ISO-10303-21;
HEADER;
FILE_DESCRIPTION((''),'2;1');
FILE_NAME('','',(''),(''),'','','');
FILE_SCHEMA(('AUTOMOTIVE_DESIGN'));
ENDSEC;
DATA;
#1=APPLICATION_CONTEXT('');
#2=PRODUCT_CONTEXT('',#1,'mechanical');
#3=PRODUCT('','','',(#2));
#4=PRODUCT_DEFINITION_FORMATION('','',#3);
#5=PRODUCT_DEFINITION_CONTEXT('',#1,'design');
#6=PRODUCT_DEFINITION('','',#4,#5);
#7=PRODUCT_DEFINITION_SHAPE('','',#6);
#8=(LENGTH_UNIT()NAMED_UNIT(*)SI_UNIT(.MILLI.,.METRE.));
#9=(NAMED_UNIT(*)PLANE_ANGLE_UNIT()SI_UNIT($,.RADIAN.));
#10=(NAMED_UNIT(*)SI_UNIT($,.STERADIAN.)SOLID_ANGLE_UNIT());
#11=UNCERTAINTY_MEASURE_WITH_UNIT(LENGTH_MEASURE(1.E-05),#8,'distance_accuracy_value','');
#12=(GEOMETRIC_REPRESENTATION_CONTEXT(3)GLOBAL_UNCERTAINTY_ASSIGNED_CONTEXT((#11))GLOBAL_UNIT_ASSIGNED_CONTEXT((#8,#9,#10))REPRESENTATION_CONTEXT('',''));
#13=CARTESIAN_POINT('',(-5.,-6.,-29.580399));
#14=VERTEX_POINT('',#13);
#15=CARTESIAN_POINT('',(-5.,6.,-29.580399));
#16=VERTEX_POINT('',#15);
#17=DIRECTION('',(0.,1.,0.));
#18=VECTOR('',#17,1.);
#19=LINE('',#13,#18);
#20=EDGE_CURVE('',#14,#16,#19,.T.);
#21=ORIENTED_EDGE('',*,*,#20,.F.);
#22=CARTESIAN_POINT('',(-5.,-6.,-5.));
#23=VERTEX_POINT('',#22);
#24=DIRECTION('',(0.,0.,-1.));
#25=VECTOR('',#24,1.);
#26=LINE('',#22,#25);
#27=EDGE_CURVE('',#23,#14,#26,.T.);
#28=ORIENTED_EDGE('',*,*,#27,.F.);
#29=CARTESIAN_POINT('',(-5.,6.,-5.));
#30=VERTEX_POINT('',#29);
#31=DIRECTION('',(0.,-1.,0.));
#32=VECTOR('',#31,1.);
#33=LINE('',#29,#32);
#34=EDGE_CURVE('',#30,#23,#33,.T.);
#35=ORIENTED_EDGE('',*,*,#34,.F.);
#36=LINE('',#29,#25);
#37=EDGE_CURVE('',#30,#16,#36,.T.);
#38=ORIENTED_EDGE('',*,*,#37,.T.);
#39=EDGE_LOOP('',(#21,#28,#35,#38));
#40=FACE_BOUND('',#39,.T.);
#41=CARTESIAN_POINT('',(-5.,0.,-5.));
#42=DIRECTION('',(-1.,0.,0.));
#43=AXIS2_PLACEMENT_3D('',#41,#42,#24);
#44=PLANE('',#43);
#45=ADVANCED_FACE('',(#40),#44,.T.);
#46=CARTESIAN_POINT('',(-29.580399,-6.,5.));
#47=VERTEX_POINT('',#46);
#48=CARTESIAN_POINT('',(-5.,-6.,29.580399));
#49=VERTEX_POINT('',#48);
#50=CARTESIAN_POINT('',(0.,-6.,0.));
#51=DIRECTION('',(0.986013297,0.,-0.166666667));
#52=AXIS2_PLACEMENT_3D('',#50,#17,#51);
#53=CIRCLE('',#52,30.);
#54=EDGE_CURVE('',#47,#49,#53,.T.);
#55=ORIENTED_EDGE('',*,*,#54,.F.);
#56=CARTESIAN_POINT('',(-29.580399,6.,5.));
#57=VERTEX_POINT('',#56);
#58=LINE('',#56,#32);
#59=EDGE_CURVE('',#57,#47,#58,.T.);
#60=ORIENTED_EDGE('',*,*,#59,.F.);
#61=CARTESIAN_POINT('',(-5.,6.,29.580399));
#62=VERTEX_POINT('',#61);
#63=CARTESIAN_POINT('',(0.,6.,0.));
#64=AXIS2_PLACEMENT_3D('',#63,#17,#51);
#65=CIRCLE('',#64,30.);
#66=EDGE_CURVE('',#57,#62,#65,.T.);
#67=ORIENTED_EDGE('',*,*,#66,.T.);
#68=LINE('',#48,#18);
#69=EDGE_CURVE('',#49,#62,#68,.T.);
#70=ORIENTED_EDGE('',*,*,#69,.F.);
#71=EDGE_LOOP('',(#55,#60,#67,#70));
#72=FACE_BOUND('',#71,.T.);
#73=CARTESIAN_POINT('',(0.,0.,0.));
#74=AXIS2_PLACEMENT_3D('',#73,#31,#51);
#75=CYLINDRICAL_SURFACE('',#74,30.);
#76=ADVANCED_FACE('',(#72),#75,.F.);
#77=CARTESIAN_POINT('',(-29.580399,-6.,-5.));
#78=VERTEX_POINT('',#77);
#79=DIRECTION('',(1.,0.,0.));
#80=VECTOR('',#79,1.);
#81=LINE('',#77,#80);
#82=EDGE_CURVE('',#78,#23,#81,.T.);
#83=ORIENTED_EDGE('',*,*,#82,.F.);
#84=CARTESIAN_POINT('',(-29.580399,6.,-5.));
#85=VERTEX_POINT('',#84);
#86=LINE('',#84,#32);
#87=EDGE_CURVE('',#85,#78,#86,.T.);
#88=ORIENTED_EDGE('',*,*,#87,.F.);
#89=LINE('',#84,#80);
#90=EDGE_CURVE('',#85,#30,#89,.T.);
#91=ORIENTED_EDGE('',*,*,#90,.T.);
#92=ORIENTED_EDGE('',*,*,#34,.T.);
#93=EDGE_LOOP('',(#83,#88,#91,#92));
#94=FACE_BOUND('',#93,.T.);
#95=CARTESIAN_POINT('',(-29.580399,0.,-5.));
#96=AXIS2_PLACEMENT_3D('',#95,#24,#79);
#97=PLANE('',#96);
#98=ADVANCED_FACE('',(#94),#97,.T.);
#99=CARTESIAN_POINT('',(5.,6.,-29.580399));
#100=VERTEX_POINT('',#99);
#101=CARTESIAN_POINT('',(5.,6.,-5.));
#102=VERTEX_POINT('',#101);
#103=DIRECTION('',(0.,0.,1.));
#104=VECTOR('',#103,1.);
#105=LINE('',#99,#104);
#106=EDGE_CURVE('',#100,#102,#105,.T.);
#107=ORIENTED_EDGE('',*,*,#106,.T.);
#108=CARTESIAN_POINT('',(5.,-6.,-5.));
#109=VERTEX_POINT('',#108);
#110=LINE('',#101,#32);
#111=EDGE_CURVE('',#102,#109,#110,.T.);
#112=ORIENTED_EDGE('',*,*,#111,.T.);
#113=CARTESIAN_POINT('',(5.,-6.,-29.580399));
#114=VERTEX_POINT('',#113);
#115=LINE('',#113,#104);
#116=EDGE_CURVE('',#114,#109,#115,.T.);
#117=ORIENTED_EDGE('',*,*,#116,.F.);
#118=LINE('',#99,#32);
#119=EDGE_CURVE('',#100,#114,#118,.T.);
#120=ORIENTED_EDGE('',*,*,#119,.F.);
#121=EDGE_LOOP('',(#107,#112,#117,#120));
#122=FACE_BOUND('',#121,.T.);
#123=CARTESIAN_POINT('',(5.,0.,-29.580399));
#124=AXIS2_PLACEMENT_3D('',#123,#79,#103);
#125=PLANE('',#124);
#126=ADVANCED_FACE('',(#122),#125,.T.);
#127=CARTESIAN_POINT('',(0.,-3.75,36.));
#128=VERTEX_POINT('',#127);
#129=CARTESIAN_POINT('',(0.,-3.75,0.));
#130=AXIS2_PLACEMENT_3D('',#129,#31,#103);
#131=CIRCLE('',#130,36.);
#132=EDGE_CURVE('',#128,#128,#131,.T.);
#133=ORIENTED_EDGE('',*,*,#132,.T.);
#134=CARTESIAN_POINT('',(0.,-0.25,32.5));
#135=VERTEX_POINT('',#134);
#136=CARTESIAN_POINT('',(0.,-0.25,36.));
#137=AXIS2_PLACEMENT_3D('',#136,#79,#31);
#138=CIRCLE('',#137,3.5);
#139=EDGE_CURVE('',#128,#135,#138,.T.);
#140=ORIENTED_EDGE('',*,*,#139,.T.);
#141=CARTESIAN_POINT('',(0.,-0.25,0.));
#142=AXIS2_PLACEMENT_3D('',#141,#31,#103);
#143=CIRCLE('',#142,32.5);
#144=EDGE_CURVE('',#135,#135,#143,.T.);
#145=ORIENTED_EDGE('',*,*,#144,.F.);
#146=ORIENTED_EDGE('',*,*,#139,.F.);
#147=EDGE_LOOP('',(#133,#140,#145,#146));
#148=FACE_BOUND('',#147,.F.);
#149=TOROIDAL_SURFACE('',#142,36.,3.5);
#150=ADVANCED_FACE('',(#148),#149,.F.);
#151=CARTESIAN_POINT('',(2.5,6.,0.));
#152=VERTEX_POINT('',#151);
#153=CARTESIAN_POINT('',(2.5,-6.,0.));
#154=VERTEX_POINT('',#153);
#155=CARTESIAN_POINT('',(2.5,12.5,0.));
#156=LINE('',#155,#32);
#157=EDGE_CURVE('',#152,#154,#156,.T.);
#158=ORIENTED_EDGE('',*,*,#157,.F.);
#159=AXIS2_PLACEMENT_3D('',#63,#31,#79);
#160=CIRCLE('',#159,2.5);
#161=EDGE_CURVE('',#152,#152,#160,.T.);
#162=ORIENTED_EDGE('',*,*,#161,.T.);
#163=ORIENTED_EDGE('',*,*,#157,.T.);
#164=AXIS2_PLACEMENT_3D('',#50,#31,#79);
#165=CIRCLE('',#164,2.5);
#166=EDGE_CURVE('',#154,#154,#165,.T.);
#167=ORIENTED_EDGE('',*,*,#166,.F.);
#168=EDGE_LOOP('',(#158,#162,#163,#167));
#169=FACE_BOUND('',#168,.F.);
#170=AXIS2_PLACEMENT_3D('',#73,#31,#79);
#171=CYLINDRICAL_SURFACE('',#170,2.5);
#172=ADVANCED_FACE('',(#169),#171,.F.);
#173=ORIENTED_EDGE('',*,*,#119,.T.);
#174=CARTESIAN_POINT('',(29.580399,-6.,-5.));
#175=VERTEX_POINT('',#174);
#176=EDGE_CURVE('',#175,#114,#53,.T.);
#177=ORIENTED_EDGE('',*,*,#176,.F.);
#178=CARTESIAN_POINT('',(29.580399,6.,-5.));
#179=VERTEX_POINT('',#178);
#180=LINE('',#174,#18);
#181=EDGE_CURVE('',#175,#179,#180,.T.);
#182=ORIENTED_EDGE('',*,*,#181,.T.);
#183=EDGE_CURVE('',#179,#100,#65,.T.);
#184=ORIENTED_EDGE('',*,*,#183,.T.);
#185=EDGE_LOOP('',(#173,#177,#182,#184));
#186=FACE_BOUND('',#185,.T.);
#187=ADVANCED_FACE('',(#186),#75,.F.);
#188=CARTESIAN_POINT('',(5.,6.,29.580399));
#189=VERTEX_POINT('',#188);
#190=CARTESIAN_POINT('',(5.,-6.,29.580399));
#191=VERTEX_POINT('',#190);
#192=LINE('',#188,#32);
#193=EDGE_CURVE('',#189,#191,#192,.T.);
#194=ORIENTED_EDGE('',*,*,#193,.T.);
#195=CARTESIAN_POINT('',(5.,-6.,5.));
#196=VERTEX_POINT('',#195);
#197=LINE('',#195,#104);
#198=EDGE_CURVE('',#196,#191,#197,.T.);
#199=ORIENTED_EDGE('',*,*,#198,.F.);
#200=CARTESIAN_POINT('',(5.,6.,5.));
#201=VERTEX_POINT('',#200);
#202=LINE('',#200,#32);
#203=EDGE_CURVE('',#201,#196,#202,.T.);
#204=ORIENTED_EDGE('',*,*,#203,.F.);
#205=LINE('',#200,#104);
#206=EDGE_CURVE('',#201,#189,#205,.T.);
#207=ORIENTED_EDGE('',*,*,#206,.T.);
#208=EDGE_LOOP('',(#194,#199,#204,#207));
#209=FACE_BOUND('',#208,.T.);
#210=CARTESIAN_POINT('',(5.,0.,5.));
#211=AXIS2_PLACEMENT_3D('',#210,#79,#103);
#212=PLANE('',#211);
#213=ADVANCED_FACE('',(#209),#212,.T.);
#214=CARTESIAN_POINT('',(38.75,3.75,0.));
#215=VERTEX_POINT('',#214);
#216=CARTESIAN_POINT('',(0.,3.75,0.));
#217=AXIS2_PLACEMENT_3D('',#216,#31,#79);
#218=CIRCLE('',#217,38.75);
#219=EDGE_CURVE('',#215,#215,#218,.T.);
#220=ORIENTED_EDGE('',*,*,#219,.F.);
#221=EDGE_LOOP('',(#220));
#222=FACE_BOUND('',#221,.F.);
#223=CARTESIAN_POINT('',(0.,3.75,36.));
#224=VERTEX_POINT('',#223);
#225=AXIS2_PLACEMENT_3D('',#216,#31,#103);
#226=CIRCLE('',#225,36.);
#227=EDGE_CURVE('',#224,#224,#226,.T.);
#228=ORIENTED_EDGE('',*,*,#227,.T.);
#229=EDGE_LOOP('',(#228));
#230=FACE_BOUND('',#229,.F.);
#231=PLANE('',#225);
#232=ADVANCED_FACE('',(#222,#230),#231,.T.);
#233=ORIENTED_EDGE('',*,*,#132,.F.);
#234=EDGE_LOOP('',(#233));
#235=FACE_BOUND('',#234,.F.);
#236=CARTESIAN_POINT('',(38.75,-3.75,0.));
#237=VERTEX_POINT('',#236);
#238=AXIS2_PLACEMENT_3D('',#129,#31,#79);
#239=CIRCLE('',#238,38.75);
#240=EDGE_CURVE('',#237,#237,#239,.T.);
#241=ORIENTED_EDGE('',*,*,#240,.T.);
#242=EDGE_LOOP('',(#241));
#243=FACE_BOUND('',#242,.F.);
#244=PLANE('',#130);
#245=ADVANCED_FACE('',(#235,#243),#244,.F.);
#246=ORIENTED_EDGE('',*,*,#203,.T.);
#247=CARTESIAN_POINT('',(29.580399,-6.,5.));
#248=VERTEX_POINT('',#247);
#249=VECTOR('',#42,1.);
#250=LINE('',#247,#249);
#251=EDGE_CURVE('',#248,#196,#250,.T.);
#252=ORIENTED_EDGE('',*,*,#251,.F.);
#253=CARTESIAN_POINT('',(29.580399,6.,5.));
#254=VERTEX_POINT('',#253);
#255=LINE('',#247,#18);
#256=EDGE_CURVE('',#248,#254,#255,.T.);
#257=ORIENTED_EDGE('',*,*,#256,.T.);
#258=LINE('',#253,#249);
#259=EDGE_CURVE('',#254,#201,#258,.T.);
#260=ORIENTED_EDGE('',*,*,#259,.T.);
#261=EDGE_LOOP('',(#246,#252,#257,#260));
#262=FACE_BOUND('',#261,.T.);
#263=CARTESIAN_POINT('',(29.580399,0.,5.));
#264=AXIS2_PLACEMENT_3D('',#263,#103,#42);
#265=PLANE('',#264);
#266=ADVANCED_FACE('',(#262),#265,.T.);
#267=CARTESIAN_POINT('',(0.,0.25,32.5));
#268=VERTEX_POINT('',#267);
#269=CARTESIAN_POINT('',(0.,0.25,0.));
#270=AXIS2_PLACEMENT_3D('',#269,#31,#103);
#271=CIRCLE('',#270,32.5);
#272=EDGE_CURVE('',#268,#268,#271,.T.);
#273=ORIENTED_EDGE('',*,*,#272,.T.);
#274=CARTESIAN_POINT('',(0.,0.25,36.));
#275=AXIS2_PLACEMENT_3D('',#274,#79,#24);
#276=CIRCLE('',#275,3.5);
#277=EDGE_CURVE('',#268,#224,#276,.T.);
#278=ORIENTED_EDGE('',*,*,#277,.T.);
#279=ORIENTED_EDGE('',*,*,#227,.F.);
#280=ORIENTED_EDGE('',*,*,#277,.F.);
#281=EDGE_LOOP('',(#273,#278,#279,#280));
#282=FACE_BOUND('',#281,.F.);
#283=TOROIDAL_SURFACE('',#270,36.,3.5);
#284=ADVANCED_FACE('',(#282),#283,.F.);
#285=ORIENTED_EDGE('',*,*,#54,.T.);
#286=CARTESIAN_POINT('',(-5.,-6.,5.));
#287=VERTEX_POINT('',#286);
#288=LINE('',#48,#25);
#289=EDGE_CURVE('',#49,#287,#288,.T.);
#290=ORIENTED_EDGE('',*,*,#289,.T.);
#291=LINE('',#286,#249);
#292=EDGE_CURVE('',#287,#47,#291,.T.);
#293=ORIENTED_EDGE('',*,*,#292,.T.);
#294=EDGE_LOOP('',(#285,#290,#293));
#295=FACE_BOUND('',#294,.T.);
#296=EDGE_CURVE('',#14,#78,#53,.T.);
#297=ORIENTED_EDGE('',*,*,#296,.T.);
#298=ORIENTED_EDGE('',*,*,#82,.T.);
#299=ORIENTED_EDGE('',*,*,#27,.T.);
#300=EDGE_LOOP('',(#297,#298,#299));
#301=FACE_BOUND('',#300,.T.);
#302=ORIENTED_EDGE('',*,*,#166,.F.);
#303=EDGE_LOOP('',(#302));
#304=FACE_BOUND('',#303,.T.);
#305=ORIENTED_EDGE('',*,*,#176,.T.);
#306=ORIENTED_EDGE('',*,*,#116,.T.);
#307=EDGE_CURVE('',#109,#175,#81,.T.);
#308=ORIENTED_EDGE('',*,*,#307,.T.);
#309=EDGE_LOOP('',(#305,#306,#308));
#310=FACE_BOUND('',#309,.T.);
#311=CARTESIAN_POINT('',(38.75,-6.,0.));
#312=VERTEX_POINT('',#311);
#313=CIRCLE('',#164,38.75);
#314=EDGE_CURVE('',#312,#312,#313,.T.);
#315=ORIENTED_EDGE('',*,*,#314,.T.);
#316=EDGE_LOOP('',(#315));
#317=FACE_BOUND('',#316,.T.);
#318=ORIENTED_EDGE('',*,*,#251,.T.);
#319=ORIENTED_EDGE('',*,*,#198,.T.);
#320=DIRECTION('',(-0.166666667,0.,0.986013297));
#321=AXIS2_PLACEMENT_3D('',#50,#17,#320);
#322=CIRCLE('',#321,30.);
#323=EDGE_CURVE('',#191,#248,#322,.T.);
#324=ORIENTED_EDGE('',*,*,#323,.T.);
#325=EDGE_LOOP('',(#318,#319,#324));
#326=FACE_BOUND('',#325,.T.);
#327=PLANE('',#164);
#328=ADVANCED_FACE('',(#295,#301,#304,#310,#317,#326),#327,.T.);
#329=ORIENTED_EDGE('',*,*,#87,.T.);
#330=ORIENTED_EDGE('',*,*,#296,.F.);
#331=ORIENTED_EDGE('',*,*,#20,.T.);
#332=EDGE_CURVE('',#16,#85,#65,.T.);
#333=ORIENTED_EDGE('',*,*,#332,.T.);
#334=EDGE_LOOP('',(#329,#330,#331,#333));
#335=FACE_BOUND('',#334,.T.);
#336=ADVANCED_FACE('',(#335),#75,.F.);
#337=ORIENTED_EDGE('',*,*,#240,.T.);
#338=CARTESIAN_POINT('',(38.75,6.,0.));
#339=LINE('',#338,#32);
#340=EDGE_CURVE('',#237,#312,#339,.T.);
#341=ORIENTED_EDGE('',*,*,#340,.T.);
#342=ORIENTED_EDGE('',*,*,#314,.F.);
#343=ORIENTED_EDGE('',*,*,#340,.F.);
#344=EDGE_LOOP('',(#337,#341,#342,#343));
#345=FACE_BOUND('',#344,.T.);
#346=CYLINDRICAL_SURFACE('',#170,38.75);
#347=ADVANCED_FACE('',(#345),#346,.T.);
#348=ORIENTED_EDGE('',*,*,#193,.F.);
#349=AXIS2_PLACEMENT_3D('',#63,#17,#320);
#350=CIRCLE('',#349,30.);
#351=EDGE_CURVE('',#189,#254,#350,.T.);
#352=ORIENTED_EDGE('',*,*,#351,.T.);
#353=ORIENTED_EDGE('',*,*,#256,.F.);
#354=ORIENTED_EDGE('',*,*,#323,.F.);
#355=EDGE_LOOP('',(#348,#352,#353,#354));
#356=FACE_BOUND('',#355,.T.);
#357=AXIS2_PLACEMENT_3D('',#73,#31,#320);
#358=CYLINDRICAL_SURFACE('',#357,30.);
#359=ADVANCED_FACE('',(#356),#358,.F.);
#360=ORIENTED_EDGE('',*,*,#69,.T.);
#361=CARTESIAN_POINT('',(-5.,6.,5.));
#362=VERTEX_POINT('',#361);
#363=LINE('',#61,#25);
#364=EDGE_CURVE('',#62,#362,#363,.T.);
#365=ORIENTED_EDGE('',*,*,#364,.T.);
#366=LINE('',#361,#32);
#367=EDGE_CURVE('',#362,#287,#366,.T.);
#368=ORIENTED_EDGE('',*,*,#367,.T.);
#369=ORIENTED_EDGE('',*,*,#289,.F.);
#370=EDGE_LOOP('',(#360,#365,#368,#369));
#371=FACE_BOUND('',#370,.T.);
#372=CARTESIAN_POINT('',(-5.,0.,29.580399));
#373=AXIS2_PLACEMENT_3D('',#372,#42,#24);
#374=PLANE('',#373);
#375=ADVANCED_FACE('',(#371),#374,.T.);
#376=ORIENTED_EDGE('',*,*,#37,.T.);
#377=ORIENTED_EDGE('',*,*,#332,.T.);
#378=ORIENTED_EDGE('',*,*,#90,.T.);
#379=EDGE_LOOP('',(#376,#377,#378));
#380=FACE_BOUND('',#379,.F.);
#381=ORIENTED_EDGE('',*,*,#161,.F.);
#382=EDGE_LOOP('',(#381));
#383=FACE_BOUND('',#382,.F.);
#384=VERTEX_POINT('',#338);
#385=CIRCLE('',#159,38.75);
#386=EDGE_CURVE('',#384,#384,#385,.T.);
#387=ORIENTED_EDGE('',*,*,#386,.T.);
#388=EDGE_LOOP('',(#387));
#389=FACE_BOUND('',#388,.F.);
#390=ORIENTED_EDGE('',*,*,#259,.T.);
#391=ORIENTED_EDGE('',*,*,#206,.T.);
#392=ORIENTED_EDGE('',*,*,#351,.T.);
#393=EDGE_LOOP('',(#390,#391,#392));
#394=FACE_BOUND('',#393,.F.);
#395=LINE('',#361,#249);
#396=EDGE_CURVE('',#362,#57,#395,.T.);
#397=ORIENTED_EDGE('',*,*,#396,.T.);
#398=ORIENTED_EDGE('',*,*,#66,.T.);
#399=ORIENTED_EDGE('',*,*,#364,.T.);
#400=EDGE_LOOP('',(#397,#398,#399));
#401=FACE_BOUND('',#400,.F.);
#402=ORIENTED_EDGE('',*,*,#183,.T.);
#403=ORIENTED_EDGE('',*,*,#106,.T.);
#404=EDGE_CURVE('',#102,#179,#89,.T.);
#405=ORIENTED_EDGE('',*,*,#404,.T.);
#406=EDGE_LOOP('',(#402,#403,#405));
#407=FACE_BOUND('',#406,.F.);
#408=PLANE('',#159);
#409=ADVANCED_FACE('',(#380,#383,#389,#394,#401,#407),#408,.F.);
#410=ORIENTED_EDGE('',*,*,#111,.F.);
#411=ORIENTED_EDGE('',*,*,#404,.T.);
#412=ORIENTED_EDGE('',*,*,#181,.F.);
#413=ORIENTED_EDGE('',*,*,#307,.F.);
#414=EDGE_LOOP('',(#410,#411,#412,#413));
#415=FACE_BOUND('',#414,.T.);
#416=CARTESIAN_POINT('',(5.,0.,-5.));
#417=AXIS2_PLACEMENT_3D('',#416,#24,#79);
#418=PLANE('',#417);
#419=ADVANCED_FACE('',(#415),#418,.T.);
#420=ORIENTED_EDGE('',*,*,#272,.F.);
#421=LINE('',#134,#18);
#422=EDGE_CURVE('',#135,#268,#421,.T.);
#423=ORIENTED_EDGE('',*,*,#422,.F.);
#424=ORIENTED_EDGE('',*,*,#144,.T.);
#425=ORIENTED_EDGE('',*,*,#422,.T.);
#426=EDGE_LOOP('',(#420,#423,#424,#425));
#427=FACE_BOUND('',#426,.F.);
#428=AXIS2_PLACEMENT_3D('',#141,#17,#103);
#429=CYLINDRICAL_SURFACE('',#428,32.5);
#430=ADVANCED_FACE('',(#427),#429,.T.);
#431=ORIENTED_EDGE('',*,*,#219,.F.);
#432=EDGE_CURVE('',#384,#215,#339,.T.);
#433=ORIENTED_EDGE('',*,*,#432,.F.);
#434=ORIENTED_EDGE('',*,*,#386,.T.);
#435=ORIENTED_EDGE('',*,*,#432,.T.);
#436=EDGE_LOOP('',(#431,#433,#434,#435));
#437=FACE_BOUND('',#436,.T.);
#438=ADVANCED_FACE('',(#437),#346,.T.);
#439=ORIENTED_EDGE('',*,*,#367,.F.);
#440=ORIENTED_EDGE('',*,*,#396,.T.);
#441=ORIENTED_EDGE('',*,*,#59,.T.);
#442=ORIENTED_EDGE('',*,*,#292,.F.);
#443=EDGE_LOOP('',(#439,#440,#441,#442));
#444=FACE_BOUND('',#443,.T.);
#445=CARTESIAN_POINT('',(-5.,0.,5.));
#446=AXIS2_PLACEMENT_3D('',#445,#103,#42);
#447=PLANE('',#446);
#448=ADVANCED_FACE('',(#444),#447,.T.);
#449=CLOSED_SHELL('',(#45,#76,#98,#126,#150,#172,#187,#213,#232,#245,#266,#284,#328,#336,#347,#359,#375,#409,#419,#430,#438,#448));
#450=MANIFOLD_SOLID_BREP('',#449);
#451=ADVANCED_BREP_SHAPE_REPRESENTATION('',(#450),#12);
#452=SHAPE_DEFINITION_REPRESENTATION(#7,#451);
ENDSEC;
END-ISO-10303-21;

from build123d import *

# Parameters (mm, degrees)
F0_R     = 38.75
F0_W     = 10
F0_H     = 10
F3_DEPTH = 6
F5_R     = 2.5
F6_DEPTH = 12.5


with BuildPart() as f3:
    # F0 (on Front) → F3 (new body, symmetric)
    with BuildSketch(Plane.XZ):
        Circle(F0_R)
        with BuildLine():
            ThreePointArc((29.5803989155, 5), (29.8949156836, 2.5087878084), (30, 0))
            ThreePointArc((30, 0), (29.8949156836, -2.5087878084), (29.5803989155, -5))
            ThreePointArc((29.5803989155, -5), (21.2132034356, -21.2132034356), (5, -29.5803989155))
            ThreePointArc((5, -29.5803989155), (0, -30), (-5, -29.5803989155))
            ThreePointArc((-5, -29.5803989155), (-21.2132034356, -21.2132034356), (-29.5803989155, -5))
            ThreePointArc((-29.5803989155, -5), (-30, 0), (-29.5803989155, 5))
            ThreePointArc((-29.5803989155, 5), (-21.2132034356, 21.2132034356), (-5, 29.5803989155))
            ThreePointArc((-5, 29.5803989155), (0, 30), (5, 29.5803989155))
            ThreePointArc((5, 29.5803989155), (21.2132034356, 21.2132034356), (29.5803989155, 5))
        make_face(mode=Mode.SUBTRACT)
        with BuildLine():
            Line((5, 5), (5, 29.5803989155))
            ThreePointArc((5, 29.5803989155), (0, 30), (-5, 29.5803989155))
            Line((-5, 29.5803989155), (-5, 5))
            Line((-5, 5), (5, 5))
        make_face()
        with BuildLine():
            ThreePointArc((29.5803989155, -5), (29.8949156836, -2.5087878084), (30, 0))
            ThreePointArc((30, 0), (29.8949156836, 2.5087878084), (29.5803989155, 5))
            Line((29.5803989155, 5), (5, 5))
            Line((5, 5), (5, -5))
            Line((5, -5), (29.5803989155, -5))
        make_face()
        Rectangle(F0_W, F0_H)
        with BuildLine():
            Line((-5, -5), (-5, 5))
            Line((-5, 5), (-29.5803989155, 5))
            ThreePointArc((-29.5803989155, 5), (-30, 0), (-29.5803989155, -5))
            Line((-29.5803989155, -5), (-5, -5))
        make_face()
        with BuildLine():
            ThreePointArc((-5, -29.5803989155), (0, -30), (5, -29.5803989155))
            Line((5, -29.5803989155), (5, -5))
            Line((5, -5), (-5, -5))
            Line((-5, -5), (-5, -29.5803989155))
        make_face()
    extrude(amount=F3_DEPTH, both=True)

    # F1 (on Right) → F4 (revolve, cut)
    with BuildSketch(Plane.YZ):
        with BuildLine():
            Line((3.75, 36), (3.75, 40))
            Line((3.75, 40), (-3.75, 40))
            Line((-3.75, 40), (-3.75, 36))
            ThreePointArc((-3.75, 36), (-2.7248737342, 33.5251262658), (-0.25, 32.5))
            Line((-0.25, 32.5), (0.25, 32.5))
            ThreePointArc((0.25, 32.5), (2.7248737342, 33.5251262658), (3.75, 36))
        make_face()
    revolve(axis=Axis((0, -2.0112972707, 0), (0, -1, 0)), mode=Mode.SUBTRACT)

    # F5 (on Front) → F6 (cut, symmetric)
    with BuildSketch(Plane.XZ):
        Circle(F5_R)
    extrude(amount=F6_DEPTH, both=True, mode=Mode.SUBTRACT)


solid = f3.part
